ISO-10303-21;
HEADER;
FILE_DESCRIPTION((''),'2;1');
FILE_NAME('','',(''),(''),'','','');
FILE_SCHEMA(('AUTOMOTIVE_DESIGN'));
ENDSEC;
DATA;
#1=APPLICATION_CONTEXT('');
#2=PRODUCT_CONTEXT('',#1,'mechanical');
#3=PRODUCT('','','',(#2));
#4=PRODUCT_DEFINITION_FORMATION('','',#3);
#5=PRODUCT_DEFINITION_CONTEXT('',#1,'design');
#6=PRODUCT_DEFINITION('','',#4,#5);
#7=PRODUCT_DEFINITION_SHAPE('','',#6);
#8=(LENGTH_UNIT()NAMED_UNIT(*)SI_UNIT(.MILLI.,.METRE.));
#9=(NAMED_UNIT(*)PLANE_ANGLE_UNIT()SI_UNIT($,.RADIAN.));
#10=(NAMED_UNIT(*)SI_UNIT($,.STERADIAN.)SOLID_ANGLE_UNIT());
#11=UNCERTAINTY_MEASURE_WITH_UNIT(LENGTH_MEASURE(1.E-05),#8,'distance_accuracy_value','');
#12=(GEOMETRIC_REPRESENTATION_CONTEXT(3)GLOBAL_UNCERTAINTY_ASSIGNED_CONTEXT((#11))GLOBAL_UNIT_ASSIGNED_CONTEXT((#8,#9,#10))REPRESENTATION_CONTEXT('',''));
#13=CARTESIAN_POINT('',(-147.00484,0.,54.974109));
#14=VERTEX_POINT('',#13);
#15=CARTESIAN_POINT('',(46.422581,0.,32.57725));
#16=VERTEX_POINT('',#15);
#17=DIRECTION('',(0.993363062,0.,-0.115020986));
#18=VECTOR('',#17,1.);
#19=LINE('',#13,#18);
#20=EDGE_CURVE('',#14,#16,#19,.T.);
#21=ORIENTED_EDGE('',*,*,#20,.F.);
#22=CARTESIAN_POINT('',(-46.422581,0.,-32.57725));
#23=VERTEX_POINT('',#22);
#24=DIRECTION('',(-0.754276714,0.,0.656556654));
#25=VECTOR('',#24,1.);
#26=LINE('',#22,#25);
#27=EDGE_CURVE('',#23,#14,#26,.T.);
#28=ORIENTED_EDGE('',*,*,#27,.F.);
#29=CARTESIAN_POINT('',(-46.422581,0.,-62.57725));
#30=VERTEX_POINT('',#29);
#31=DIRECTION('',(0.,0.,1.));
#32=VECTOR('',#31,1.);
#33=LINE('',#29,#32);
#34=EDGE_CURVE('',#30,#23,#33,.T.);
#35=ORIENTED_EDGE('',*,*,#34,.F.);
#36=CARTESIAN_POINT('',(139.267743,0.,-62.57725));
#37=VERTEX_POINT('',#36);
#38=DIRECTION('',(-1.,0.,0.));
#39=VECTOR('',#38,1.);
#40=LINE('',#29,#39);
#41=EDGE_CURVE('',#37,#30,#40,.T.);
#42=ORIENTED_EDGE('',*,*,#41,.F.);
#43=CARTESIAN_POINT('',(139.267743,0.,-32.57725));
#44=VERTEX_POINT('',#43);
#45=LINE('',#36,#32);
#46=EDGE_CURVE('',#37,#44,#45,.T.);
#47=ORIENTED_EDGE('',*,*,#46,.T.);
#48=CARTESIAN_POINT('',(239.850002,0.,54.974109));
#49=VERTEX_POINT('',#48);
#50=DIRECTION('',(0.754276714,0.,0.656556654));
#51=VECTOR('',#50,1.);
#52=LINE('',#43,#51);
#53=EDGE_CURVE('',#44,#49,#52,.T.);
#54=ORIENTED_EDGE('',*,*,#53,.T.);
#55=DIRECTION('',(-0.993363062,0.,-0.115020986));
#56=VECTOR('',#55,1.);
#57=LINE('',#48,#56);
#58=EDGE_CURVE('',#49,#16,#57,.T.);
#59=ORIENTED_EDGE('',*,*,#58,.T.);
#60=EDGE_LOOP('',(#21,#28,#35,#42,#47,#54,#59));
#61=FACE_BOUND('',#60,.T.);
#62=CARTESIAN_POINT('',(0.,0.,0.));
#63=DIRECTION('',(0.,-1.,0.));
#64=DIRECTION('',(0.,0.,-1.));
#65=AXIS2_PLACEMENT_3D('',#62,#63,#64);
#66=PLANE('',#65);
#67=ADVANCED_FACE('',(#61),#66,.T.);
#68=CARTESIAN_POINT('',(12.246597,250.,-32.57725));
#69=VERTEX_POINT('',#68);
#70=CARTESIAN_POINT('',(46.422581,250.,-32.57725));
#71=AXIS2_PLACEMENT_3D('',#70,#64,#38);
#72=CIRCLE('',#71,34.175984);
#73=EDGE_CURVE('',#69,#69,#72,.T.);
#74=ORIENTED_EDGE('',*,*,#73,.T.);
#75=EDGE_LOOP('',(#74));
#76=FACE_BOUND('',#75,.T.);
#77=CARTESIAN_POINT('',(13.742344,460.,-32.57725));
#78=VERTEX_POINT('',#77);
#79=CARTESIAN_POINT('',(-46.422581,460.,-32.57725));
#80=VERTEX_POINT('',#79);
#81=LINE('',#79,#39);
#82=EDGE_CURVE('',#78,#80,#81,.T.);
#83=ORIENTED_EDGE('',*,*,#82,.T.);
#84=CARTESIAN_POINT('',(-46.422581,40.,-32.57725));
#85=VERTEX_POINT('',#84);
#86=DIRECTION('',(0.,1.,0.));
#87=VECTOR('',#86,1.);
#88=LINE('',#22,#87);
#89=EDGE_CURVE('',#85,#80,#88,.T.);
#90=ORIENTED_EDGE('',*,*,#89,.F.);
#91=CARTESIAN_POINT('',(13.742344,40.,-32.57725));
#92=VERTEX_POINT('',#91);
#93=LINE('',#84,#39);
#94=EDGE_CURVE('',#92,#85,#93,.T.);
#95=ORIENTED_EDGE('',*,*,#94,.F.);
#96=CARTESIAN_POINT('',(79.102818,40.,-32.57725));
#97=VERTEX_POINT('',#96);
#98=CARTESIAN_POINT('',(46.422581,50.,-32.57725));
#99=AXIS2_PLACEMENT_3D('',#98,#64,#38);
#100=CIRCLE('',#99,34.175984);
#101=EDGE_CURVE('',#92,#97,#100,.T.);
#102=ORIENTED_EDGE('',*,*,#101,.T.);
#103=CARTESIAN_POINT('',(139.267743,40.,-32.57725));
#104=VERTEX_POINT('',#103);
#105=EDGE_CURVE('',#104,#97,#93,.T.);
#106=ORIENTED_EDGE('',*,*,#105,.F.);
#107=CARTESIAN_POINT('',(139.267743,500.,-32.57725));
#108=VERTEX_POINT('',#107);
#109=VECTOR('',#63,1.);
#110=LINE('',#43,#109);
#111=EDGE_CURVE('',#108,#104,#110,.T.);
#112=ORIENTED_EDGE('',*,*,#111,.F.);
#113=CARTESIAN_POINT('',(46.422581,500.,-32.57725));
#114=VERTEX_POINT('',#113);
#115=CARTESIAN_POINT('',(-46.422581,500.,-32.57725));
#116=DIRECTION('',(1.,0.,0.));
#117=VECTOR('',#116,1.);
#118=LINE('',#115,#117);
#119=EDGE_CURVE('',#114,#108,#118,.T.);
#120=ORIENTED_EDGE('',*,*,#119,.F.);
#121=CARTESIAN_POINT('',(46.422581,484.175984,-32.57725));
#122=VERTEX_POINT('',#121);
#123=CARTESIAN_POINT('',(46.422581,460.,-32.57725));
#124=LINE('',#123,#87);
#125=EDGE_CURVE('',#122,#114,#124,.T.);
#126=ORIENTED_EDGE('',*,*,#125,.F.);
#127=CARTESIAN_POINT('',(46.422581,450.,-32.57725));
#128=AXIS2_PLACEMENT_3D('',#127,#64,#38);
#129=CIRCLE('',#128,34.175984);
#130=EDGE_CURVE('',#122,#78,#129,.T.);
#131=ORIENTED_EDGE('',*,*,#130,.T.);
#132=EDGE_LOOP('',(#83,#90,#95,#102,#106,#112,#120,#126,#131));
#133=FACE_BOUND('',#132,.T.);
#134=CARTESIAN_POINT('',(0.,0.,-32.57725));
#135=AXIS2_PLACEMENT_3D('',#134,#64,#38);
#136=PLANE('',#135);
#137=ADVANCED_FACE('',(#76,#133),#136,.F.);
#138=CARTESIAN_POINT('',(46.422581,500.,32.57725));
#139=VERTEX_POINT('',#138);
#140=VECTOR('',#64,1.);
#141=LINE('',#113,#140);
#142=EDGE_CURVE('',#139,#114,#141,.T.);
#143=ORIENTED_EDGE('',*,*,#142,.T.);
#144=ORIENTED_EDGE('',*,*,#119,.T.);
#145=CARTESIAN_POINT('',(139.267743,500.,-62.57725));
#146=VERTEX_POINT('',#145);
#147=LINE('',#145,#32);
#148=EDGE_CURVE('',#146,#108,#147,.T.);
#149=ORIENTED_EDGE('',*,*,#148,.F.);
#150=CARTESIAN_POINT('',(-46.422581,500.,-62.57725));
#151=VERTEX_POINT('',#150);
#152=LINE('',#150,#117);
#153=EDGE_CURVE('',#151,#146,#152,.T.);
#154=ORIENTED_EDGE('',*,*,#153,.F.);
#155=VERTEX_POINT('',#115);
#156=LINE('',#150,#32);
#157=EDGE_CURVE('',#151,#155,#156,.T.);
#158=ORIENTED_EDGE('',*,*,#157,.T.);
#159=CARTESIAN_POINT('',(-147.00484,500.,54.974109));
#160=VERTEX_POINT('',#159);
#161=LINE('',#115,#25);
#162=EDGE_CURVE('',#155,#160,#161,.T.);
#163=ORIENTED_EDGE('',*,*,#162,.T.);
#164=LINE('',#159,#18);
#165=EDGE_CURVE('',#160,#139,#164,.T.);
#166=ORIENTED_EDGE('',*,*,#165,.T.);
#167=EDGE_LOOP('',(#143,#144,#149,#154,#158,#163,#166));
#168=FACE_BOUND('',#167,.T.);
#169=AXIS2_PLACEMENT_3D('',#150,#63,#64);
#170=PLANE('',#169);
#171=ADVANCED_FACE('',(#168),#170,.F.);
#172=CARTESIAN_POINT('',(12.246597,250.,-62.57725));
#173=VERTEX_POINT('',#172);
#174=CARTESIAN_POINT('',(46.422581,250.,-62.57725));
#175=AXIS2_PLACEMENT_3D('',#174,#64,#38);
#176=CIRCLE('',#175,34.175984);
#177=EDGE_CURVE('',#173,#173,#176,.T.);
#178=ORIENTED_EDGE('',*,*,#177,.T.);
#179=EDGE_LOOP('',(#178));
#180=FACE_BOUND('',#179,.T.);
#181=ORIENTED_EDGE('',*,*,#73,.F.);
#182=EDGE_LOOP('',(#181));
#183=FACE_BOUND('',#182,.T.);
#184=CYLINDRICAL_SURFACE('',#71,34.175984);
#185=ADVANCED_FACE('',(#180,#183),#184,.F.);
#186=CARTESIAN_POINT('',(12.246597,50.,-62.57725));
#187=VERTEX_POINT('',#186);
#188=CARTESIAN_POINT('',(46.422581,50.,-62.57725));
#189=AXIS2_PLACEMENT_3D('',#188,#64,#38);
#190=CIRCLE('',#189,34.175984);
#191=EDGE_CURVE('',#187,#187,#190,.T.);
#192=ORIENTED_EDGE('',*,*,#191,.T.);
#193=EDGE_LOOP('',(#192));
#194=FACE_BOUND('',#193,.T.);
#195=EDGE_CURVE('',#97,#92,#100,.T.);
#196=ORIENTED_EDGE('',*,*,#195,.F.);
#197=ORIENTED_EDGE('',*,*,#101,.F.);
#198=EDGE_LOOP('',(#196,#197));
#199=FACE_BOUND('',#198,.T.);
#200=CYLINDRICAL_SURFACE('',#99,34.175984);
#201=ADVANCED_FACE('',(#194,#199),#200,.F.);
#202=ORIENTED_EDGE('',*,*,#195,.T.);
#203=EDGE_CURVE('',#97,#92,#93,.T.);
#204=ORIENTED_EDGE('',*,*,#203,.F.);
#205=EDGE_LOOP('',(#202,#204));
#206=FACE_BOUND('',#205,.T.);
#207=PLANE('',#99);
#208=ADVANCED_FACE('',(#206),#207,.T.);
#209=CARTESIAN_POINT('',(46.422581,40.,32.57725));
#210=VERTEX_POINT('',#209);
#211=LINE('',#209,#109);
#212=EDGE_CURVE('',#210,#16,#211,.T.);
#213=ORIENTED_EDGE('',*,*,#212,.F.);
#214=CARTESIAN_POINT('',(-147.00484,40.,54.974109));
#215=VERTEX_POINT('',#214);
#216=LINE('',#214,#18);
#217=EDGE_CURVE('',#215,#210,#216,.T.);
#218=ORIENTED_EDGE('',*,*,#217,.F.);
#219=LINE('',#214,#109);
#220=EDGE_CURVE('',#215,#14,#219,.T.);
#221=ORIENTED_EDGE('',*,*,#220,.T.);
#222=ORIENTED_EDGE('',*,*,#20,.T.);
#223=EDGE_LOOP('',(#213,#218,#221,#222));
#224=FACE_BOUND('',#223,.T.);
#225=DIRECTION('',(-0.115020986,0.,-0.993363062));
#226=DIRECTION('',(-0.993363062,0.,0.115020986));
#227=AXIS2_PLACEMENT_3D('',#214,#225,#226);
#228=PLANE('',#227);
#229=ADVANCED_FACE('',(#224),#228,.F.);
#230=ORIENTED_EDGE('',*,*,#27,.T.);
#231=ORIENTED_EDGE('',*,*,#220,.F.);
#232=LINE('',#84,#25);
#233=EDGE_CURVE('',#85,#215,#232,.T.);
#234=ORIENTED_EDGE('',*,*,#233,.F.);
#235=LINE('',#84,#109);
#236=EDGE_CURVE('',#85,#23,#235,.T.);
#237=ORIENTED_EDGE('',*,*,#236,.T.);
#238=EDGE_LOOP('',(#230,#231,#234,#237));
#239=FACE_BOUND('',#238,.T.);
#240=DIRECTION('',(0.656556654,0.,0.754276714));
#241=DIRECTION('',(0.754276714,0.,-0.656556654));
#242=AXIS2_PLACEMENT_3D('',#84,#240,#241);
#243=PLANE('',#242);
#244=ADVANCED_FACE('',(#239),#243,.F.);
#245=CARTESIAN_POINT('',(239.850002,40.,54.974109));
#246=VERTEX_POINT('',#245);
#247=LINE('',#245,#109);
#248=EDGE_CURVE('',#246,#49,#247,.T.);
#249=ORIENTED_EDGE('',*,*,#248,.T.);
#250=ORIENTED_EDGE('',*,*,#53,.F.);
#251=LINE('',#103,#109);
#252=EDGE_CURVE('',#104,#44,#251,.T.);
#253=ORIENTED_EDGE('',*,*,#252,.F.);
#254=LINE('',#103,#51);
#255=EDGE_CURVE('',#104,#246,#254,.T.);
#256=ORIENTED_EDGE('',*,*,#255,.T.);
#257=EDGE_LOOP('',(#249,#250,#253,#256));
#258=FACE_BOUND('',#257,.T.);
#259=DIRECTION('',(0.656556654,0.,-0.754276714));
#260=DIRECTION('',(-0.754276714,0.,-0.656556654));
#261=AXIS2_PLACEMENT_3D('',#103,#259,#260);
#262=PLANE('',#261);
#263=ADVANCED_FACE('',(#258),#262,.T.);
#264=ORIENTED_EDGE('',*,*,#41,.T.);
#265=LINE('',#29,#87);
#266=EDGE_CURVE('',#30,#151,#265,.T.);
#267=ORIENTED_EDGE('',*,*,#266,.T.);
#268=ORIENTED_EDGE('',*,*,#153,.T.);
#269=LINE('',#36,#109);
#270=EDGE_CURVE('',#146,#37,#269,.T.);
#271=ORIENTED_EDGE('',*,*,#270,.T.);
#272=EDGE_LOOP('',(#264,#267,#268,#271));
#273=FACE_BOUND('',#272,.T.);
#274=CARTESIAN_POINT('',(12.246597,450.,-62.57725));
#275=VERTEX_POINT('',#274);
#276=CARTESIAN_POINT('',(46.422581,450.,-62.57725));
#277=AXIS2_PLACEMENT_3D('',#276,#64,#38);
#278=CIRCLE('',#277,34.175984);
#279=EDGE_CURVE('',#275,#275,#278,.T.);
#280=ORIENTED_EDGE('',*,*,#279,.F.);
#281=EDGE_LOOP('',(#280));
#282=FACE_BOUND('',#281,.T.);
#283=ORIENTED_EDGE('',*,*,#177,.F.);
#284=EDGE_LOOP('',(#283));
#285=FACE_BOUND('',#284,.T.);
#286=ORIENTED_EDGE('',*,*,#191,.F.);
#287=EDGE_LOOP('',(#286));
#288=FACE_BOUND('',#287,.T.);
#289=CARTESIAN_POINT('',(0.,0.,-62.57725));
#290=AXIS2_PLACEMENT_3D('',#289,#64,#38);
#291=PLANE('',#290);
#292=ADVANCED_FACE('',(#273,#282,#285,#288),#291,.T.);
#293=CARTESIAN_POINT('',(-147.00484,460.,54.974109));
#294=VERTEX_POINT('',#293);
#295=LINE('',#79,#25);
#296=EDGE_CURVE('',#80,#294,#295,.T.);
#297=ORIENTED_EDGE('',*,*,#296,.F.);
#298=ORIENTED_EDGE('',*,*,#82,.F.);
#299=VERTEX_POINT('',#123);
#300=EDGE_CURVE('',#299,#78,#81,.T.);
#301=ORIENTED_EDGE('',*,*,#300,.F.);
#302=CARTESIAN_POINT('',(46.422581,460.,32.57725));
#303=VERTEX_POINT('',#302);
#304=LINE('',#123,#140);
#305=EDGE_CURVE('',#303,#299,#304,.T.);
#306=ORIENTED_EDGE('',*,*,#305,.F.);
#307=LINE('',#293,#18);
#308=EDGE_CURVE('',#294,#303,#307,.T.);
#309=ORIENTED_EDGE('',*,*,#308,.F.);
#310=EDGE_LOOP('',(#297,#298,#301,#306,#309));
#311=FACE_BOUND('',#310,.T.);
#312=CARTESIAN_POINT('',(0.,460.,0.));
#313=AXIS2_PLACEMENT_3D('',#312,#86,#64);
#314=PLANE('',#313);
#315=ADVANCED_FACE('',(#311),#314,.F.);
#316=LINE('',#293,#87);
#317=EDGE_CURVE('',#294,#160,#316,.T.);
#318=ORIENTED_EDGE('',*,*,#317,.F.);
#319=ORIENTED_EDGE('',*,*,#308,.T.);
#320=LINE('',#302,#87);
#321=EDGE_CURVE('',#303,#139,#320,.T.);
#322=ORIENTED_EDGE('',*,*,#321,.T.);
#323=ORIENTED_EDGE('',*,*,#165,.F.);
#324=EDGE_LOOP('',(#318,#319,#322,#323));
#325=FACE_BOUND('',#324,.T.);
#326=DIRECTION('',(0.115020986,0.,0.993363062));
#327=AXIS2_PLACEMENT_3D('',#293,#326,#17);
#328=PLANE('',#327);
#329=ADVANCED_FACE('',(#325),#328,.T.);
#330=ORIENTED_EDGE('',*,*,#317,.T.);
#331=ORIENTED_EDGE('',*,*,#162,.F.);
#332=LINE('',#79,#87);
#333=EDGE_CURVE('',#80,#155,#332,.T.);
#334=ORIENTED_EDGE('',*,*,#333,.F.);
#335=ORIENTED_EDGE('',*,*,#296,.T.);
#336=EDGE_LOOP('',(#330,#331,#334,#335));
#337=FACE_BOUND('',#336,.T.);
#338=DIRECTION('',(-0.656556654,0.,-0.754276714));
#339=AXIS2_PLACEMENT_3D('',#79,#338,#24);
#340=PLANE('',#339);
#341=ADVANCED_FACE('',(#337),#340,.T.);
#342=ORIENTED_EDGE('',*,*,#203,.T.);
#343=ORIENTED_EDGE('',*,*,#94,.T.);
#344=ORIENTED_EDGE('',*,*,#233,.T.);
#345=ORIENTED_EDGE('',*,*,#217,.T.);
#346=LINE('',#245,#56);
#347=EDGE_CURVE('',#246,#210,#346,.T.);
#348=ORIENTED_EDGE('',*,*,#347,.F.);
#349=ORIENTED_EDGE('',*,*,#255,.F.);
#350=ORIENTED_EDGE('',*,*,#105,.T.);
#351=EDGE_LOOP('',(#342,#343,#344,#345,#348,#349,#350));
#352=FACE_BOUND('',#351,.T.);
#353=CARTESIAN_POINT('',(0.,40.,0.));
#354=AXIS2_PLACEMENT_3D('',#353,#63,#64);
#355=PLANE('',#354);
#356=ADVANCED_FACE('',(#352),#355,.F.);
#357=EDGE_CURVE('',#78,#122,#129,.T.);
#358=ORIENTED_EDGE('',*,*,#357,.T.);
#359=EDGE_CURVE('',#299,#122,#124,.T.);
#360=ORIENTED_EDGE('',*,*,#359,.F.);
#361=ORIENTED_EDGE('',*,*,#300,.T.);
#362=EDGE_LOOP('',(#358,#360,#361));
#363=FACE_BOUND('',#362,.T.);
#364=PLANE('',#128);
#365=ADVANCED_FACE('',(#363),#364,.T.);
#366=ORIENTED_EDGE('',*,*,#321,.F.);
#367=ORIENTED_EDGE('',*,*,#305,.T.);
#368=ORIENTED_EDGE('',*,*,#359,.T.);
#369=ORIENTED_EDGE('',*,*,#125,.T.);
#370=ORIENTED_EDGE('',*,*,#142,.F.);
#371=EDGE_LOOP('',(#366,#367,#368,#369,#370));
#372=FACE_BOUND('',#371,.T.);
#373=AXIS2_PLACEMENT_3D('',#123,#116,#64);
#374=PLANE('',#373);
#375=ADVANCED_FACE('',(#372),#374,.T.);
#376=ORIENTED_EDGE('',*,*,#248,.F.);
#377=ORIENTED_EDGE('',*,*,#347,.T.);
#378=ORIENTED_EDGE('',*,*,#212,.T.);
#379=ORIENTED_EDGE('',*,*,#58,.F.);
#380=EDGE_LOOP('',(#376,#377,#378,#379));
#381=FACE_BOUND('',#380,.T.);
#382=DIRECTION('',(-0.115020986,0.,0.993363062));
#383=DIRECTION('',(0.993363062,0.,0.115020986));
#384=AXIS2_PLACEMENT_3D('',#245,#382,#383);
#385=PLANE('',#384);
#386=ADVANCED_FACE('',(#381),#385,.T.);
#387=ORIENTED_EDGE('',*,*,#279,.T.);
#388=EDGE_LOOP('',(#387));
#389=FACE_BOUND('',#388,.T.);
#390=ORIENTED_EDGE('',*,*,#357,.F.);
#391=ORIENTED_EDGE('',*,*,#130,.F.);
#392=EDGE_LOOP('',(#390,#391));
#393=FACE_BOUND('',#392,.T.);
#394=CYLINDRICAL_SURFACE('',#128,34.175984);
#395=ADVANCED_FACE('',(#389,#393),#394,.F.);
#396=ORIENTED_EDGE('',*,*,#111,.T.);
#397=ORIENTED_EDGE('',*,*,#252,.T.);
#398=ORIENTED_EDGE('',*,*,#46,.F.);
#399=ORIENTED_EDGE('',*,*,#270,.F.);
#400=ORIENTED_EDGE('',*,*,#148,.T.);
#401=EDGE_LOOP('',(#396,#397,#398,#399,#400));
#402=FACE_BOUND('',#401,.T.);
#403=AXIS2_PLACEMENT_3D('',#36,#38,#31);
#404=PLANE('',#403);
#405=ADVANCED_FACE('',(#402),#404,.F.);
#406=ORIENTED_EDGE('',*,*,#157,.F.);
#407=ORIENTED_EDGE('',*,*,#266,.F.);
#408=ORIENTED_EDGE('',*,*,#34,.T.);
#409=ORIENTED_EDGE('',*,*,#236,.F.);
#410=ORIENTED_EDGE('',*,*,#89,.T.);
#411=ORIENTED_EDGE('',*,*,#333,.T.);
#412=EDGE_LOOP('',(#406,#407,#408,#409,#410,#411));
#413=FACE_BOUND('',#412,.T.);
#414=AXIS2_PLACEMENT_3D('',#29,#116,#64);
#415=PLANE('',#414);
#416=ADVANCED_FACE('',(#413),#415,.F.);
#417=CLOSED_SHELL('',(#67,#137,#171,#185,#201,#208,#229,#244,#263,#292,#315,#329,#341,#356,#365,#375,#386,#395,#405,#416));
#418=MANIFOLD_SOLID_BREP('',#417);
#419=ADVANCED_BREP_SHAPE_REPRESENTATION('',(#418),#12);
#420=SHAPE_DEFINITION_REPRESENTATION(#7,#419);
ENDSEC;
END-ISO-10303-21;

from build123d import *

# Parameters (mm, degrees)
BOSS_EXTRUDE1_DEPTH = 40
SKETCH3_W           = 185.690324397
SKETCH3_H           = 500
BOSS_EXTRUDE2_DEPTH = 30
SKETCH4_R           = 34.175984335
CUT_EXTRUDE1_DEPTH  = 30
LPATTERN1_COUNT     = 2
LPATTERN1_PITCH     = 200
LPATTERN1_COL_COUNT = 2
LPATTERN1_COL_PITCH = 200


with BuildPart() as part:
    # Sketch1 → Boss-Extrude1 (new body)
    with BuildSketch(Plane(origin=(0, 0, 0), x_dir=(1, 0, 0), z_dir=(0, 1, 0))):
        Polygon((-46.422581099, 32.577249894), (-147.004840148, -54.974109197), (46.422581099, -32.577249894), (46.422581099, 32.577249894), align=None)
    boss_extrude1 = extrude(amount=BOSS_EXTRUDE1_DEPTH)

    # Mirror1: Boss-Extrude1 across plane
    add(boss_extrude1.mirror(Plane(origin=(46.422581099, 40, -32.577249894), x_dir=(0, 0, 1), z_dir=(-1, 0, 0))))

    # Sketch3 → Boss-Extrude2 (add)
    with BuildSketch(Plane(origin=(0, 0, -32.577249894), x_dir=(-1, 0, 0), z_dir=(0, 0, -1))):
        with Locations((-46.422581099, 250)):
            Rectangle(SKETCH3_W, SKETCH3_H)
    extrude(amount=BOSS_EXTRUDE2_DEPTH)

    # Mirror5: Boss-Extrude1 across plane
    add(boss_extrude1.mirror(Plane.ZX.offset(250)))

    # Sketch4 → Cut-Extrude1 (cut)
    with BuildSketch(Plane(origin=(0, 0, -62.577249894), x_dir=(-1, 0, 0), z_dir=(0, 0, -1))):
        with Locations((-46.422581099, 250)):
            Circle(SKETCH4_R)
    cut_extrude1 = extrude(amount=-CUT_EXTRUDE1_DEPTH, mode=Mode.SUBTRACT)

    # LPattern1: Cut-Extrude1 ×2
    with Locations(*[(0, i * LPATTERN1_PITCH, 0) for i in range(1, LPATTERN1_COUNT)]):
        add(cut_extrude1, mode=Mode.SUBTRACT)

    # LPattern1 col: Cut-Extrude1 ×2
    with Locations(*[(0, -i * LPATTERN1_COL_PITCH, 0) for i in range(1, LPATTERN1_COL_COUNT)]):
        add(cut_extrude1, mode=Mode.SUBTRACT)


solid = part.part
